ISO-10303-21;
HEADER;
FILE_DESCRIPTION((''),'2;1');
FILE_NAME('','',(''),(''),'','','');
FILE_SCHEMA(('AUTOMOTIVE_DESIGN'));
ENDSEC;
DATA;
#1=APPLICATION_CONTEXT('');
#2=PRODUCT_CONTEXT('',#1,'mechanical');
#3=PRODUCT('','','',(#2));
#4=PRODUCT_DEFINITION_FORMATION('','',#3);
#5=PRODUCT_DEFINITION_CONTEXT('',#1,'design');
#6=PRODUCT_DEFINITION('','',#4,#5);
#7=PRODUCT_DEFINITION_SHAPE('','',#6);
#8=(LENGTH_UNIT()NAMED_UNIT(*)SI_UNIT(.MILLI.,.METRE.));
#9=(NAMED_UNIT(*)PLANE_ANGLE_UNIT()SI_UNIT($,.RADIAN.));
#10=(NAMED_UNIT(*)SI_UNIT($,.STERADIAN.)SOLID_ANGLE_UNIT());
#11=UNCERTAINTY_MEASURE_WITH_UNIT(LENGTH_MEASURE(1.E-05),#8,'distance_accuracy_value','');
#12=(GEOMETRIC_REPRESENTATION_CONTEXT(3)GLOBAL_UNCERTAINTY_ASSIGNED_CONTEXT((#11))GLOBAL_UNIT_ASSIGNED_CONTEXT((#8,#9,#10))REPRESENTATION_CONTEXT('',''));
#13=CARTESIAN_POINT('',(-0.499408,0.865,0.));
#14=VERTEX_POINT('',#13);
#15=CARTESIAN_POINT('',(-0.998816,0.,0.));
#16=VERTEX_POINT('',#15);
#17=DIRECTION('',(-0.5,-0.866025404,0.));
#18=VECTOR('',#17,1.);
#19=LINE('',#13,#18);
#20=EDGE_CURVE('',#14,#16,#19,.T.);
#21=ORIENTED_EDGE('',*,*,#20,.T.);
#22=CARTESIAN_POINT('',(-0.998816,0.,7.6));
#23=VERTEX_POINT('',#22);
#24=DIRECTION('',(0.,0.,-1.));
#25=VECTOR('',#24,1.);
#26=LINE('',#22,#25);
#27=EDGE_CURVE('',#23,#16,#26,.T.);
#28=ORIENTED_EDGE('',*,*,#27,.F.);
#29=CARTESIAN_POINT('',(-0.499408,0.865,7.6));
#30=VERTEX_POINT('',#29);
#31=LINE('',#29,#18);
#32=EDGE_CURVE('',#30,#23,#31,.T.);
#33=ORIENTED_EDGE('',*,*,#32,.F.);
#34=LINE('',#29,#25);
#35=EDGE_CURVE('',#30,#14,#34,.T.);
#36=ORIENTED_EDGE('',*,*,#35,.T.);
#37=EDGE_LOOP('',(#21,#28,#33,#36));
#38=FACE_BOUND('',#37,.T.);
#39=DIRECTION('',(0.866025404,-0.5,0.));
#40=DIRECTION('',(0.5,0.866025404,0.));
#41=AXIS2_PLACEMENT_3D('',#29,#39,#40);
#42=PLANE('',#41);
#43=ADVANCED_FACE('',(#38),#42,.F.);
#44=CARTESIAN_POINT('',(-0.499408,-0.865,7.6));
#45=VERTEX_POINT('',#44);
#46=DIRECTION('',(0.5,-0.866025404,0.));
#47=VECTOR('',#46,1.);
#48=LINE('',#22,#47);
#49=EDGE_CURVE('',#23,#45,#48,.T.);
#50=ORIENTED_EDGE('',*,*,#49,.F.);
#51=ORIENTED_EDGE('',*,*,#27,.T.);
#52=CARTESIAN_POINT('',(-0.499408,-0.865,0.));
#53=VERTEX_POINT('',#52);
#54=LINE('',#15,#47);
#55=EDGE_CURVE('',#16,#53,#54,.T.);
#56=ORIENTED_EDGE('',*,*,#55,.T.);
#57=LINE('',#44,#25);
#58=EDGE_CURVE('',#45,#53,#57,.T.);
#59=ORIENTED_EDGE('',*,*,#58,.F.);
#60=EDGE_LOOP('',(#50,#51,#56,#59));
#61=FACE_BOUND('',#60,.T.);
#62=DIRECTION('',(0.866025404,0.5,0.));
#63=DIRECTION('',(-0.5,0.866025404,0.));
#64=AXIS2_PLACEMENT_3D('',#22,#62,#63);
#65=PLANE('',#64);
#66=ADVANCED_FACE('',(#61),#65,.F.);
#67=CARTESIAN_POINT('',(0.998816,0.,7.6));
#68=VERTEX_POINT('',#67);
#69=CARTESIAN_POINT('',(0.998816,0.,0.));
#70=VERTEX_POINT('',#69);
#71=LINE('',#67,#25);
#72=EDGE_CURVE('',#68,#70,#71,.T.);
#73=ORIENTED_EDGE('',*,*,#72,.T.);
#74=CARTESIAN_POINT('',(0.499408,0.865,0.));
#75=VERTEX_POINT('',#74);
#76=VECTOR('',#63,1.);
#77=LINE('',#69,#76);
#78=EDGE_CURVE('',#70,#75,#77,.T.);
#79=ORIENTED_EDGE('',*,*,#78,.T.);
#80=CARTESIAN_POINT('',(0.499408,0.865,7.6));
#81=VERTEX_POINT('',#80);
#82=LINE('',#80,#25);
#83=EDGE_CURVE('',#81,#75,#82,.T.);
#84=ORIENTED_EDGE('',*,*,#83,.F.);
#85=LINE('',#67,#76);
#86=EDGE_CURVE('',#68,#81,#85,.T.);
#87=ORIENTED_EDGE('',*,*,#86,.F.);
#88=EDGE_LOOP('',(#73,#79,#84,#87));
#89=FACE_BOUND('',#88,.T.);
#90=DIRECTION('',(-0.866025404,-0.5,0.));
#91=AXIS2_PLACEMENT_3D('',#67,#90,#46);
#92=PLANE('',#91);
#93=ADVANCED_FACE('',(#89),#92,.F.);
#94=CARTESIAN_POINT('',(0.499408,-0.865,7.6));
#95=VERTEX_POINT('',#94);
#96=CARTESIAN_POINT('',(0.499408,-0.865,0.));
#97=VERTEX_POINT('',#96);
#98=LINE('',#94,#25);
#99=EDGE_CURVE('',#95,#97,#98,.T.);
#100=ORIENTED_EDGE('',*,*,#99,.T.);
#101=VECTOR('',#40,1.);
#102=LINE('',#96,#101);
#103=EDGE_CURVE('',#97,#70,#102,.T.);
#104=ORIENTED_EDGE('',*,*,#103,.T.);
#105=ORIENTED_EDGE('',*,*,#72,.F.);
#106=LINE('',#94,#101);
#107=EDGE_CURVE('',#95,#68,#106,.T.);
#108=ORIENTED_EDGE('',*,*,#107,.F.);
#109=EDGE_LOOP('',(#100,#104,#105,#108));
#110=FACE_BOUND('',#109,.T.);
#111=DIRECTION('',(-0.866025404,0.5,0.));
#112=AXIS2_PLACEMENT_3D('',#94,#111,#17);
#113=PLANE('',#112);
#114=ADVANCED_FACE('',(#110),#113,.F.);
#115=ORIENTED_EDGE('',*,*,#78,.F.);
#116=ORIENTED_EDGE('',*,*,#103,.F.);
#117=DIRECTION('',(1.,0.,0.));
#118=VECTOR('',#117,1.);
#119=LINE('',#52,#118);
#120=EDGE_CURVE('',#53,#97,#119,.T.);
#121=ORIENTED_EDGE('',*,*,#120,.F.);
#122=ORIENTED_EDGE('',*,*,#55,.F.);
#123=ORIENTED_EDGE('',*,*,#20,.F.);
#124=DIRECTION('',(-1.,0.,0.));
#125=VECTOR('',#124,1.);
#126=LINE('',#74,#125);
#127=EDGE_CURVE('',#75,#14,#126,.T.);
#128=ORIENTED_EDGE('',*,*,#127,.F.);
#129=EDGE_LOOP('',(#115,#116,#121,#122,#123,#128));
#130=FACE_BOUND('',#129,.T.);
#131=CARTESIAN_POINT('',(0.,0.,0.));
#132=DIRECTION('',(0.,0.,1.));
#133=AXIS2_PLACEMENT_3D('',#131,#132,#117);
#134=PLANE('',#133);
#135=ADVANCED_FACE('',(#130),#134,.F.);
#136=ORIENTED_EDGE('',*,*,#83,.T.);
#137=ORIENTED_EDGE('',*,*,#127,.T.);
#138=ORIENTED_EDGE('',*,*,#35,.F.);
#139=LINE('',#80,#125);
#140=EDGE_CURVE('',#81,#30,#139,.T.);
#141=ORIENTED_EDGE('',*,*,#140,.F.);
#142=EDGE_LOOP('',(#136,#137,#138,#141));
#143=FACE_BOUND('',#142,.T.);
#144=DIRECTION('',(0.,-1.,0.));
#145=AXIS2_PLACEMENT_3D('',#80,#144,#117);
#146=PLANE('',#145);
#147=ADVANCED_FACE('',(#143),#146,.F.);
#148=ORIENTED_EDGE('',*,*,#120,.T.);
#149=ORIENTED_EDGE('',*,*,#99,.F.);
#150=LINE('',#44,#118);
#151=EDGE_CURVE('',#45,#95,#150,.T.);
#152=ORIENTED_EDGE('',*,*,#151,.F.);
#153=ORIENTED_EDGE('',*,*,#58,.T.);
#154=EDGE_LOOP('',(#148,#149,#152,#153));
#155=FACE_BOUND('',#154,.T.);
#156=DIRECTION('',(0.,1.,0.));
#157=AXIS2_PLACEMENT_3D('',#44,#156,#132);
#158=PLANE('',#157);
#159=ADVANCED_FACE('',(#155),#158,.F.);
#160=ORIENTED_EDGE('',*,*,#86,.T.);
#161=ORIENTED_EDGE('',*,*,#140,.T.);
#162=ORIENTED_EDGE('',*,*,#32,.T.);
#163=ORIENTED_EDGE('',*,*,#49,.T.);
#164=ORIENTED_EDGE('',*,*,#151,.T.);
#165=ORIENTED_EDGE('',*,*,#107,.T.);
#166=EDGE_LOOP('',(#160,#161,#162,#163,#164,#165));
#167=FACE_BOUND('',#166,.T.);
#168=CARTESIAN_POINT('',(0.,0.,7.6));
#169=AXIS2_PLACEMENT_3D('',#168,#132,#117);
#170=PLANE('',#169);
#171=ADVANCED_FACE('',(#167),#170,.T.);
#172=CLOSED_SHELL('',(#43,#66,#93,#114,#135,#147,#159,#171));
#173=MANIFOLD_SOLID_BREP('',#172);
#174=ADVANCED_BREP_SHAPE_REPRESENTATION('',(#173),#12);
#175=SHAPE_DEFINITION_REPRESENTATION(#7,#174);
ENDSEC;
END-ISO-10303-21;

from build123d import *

# Parameters (mm, degrees)
AXIS_DEPTH = 7.6


with BuildPart() as part:
    # AxisSke → Axis (new body)
    with BuildSketch(Plane.XY):
        Polygon((0.998815966, 0), (0.499407983, 0.865), (-0.499407983, 0.865), (-0.998815966, 0), (-0.499407983, -0.865), (0.499407983, -0.865), align=None)
    extrude(amount=AXIS_DEPTH)


solid = part.part
